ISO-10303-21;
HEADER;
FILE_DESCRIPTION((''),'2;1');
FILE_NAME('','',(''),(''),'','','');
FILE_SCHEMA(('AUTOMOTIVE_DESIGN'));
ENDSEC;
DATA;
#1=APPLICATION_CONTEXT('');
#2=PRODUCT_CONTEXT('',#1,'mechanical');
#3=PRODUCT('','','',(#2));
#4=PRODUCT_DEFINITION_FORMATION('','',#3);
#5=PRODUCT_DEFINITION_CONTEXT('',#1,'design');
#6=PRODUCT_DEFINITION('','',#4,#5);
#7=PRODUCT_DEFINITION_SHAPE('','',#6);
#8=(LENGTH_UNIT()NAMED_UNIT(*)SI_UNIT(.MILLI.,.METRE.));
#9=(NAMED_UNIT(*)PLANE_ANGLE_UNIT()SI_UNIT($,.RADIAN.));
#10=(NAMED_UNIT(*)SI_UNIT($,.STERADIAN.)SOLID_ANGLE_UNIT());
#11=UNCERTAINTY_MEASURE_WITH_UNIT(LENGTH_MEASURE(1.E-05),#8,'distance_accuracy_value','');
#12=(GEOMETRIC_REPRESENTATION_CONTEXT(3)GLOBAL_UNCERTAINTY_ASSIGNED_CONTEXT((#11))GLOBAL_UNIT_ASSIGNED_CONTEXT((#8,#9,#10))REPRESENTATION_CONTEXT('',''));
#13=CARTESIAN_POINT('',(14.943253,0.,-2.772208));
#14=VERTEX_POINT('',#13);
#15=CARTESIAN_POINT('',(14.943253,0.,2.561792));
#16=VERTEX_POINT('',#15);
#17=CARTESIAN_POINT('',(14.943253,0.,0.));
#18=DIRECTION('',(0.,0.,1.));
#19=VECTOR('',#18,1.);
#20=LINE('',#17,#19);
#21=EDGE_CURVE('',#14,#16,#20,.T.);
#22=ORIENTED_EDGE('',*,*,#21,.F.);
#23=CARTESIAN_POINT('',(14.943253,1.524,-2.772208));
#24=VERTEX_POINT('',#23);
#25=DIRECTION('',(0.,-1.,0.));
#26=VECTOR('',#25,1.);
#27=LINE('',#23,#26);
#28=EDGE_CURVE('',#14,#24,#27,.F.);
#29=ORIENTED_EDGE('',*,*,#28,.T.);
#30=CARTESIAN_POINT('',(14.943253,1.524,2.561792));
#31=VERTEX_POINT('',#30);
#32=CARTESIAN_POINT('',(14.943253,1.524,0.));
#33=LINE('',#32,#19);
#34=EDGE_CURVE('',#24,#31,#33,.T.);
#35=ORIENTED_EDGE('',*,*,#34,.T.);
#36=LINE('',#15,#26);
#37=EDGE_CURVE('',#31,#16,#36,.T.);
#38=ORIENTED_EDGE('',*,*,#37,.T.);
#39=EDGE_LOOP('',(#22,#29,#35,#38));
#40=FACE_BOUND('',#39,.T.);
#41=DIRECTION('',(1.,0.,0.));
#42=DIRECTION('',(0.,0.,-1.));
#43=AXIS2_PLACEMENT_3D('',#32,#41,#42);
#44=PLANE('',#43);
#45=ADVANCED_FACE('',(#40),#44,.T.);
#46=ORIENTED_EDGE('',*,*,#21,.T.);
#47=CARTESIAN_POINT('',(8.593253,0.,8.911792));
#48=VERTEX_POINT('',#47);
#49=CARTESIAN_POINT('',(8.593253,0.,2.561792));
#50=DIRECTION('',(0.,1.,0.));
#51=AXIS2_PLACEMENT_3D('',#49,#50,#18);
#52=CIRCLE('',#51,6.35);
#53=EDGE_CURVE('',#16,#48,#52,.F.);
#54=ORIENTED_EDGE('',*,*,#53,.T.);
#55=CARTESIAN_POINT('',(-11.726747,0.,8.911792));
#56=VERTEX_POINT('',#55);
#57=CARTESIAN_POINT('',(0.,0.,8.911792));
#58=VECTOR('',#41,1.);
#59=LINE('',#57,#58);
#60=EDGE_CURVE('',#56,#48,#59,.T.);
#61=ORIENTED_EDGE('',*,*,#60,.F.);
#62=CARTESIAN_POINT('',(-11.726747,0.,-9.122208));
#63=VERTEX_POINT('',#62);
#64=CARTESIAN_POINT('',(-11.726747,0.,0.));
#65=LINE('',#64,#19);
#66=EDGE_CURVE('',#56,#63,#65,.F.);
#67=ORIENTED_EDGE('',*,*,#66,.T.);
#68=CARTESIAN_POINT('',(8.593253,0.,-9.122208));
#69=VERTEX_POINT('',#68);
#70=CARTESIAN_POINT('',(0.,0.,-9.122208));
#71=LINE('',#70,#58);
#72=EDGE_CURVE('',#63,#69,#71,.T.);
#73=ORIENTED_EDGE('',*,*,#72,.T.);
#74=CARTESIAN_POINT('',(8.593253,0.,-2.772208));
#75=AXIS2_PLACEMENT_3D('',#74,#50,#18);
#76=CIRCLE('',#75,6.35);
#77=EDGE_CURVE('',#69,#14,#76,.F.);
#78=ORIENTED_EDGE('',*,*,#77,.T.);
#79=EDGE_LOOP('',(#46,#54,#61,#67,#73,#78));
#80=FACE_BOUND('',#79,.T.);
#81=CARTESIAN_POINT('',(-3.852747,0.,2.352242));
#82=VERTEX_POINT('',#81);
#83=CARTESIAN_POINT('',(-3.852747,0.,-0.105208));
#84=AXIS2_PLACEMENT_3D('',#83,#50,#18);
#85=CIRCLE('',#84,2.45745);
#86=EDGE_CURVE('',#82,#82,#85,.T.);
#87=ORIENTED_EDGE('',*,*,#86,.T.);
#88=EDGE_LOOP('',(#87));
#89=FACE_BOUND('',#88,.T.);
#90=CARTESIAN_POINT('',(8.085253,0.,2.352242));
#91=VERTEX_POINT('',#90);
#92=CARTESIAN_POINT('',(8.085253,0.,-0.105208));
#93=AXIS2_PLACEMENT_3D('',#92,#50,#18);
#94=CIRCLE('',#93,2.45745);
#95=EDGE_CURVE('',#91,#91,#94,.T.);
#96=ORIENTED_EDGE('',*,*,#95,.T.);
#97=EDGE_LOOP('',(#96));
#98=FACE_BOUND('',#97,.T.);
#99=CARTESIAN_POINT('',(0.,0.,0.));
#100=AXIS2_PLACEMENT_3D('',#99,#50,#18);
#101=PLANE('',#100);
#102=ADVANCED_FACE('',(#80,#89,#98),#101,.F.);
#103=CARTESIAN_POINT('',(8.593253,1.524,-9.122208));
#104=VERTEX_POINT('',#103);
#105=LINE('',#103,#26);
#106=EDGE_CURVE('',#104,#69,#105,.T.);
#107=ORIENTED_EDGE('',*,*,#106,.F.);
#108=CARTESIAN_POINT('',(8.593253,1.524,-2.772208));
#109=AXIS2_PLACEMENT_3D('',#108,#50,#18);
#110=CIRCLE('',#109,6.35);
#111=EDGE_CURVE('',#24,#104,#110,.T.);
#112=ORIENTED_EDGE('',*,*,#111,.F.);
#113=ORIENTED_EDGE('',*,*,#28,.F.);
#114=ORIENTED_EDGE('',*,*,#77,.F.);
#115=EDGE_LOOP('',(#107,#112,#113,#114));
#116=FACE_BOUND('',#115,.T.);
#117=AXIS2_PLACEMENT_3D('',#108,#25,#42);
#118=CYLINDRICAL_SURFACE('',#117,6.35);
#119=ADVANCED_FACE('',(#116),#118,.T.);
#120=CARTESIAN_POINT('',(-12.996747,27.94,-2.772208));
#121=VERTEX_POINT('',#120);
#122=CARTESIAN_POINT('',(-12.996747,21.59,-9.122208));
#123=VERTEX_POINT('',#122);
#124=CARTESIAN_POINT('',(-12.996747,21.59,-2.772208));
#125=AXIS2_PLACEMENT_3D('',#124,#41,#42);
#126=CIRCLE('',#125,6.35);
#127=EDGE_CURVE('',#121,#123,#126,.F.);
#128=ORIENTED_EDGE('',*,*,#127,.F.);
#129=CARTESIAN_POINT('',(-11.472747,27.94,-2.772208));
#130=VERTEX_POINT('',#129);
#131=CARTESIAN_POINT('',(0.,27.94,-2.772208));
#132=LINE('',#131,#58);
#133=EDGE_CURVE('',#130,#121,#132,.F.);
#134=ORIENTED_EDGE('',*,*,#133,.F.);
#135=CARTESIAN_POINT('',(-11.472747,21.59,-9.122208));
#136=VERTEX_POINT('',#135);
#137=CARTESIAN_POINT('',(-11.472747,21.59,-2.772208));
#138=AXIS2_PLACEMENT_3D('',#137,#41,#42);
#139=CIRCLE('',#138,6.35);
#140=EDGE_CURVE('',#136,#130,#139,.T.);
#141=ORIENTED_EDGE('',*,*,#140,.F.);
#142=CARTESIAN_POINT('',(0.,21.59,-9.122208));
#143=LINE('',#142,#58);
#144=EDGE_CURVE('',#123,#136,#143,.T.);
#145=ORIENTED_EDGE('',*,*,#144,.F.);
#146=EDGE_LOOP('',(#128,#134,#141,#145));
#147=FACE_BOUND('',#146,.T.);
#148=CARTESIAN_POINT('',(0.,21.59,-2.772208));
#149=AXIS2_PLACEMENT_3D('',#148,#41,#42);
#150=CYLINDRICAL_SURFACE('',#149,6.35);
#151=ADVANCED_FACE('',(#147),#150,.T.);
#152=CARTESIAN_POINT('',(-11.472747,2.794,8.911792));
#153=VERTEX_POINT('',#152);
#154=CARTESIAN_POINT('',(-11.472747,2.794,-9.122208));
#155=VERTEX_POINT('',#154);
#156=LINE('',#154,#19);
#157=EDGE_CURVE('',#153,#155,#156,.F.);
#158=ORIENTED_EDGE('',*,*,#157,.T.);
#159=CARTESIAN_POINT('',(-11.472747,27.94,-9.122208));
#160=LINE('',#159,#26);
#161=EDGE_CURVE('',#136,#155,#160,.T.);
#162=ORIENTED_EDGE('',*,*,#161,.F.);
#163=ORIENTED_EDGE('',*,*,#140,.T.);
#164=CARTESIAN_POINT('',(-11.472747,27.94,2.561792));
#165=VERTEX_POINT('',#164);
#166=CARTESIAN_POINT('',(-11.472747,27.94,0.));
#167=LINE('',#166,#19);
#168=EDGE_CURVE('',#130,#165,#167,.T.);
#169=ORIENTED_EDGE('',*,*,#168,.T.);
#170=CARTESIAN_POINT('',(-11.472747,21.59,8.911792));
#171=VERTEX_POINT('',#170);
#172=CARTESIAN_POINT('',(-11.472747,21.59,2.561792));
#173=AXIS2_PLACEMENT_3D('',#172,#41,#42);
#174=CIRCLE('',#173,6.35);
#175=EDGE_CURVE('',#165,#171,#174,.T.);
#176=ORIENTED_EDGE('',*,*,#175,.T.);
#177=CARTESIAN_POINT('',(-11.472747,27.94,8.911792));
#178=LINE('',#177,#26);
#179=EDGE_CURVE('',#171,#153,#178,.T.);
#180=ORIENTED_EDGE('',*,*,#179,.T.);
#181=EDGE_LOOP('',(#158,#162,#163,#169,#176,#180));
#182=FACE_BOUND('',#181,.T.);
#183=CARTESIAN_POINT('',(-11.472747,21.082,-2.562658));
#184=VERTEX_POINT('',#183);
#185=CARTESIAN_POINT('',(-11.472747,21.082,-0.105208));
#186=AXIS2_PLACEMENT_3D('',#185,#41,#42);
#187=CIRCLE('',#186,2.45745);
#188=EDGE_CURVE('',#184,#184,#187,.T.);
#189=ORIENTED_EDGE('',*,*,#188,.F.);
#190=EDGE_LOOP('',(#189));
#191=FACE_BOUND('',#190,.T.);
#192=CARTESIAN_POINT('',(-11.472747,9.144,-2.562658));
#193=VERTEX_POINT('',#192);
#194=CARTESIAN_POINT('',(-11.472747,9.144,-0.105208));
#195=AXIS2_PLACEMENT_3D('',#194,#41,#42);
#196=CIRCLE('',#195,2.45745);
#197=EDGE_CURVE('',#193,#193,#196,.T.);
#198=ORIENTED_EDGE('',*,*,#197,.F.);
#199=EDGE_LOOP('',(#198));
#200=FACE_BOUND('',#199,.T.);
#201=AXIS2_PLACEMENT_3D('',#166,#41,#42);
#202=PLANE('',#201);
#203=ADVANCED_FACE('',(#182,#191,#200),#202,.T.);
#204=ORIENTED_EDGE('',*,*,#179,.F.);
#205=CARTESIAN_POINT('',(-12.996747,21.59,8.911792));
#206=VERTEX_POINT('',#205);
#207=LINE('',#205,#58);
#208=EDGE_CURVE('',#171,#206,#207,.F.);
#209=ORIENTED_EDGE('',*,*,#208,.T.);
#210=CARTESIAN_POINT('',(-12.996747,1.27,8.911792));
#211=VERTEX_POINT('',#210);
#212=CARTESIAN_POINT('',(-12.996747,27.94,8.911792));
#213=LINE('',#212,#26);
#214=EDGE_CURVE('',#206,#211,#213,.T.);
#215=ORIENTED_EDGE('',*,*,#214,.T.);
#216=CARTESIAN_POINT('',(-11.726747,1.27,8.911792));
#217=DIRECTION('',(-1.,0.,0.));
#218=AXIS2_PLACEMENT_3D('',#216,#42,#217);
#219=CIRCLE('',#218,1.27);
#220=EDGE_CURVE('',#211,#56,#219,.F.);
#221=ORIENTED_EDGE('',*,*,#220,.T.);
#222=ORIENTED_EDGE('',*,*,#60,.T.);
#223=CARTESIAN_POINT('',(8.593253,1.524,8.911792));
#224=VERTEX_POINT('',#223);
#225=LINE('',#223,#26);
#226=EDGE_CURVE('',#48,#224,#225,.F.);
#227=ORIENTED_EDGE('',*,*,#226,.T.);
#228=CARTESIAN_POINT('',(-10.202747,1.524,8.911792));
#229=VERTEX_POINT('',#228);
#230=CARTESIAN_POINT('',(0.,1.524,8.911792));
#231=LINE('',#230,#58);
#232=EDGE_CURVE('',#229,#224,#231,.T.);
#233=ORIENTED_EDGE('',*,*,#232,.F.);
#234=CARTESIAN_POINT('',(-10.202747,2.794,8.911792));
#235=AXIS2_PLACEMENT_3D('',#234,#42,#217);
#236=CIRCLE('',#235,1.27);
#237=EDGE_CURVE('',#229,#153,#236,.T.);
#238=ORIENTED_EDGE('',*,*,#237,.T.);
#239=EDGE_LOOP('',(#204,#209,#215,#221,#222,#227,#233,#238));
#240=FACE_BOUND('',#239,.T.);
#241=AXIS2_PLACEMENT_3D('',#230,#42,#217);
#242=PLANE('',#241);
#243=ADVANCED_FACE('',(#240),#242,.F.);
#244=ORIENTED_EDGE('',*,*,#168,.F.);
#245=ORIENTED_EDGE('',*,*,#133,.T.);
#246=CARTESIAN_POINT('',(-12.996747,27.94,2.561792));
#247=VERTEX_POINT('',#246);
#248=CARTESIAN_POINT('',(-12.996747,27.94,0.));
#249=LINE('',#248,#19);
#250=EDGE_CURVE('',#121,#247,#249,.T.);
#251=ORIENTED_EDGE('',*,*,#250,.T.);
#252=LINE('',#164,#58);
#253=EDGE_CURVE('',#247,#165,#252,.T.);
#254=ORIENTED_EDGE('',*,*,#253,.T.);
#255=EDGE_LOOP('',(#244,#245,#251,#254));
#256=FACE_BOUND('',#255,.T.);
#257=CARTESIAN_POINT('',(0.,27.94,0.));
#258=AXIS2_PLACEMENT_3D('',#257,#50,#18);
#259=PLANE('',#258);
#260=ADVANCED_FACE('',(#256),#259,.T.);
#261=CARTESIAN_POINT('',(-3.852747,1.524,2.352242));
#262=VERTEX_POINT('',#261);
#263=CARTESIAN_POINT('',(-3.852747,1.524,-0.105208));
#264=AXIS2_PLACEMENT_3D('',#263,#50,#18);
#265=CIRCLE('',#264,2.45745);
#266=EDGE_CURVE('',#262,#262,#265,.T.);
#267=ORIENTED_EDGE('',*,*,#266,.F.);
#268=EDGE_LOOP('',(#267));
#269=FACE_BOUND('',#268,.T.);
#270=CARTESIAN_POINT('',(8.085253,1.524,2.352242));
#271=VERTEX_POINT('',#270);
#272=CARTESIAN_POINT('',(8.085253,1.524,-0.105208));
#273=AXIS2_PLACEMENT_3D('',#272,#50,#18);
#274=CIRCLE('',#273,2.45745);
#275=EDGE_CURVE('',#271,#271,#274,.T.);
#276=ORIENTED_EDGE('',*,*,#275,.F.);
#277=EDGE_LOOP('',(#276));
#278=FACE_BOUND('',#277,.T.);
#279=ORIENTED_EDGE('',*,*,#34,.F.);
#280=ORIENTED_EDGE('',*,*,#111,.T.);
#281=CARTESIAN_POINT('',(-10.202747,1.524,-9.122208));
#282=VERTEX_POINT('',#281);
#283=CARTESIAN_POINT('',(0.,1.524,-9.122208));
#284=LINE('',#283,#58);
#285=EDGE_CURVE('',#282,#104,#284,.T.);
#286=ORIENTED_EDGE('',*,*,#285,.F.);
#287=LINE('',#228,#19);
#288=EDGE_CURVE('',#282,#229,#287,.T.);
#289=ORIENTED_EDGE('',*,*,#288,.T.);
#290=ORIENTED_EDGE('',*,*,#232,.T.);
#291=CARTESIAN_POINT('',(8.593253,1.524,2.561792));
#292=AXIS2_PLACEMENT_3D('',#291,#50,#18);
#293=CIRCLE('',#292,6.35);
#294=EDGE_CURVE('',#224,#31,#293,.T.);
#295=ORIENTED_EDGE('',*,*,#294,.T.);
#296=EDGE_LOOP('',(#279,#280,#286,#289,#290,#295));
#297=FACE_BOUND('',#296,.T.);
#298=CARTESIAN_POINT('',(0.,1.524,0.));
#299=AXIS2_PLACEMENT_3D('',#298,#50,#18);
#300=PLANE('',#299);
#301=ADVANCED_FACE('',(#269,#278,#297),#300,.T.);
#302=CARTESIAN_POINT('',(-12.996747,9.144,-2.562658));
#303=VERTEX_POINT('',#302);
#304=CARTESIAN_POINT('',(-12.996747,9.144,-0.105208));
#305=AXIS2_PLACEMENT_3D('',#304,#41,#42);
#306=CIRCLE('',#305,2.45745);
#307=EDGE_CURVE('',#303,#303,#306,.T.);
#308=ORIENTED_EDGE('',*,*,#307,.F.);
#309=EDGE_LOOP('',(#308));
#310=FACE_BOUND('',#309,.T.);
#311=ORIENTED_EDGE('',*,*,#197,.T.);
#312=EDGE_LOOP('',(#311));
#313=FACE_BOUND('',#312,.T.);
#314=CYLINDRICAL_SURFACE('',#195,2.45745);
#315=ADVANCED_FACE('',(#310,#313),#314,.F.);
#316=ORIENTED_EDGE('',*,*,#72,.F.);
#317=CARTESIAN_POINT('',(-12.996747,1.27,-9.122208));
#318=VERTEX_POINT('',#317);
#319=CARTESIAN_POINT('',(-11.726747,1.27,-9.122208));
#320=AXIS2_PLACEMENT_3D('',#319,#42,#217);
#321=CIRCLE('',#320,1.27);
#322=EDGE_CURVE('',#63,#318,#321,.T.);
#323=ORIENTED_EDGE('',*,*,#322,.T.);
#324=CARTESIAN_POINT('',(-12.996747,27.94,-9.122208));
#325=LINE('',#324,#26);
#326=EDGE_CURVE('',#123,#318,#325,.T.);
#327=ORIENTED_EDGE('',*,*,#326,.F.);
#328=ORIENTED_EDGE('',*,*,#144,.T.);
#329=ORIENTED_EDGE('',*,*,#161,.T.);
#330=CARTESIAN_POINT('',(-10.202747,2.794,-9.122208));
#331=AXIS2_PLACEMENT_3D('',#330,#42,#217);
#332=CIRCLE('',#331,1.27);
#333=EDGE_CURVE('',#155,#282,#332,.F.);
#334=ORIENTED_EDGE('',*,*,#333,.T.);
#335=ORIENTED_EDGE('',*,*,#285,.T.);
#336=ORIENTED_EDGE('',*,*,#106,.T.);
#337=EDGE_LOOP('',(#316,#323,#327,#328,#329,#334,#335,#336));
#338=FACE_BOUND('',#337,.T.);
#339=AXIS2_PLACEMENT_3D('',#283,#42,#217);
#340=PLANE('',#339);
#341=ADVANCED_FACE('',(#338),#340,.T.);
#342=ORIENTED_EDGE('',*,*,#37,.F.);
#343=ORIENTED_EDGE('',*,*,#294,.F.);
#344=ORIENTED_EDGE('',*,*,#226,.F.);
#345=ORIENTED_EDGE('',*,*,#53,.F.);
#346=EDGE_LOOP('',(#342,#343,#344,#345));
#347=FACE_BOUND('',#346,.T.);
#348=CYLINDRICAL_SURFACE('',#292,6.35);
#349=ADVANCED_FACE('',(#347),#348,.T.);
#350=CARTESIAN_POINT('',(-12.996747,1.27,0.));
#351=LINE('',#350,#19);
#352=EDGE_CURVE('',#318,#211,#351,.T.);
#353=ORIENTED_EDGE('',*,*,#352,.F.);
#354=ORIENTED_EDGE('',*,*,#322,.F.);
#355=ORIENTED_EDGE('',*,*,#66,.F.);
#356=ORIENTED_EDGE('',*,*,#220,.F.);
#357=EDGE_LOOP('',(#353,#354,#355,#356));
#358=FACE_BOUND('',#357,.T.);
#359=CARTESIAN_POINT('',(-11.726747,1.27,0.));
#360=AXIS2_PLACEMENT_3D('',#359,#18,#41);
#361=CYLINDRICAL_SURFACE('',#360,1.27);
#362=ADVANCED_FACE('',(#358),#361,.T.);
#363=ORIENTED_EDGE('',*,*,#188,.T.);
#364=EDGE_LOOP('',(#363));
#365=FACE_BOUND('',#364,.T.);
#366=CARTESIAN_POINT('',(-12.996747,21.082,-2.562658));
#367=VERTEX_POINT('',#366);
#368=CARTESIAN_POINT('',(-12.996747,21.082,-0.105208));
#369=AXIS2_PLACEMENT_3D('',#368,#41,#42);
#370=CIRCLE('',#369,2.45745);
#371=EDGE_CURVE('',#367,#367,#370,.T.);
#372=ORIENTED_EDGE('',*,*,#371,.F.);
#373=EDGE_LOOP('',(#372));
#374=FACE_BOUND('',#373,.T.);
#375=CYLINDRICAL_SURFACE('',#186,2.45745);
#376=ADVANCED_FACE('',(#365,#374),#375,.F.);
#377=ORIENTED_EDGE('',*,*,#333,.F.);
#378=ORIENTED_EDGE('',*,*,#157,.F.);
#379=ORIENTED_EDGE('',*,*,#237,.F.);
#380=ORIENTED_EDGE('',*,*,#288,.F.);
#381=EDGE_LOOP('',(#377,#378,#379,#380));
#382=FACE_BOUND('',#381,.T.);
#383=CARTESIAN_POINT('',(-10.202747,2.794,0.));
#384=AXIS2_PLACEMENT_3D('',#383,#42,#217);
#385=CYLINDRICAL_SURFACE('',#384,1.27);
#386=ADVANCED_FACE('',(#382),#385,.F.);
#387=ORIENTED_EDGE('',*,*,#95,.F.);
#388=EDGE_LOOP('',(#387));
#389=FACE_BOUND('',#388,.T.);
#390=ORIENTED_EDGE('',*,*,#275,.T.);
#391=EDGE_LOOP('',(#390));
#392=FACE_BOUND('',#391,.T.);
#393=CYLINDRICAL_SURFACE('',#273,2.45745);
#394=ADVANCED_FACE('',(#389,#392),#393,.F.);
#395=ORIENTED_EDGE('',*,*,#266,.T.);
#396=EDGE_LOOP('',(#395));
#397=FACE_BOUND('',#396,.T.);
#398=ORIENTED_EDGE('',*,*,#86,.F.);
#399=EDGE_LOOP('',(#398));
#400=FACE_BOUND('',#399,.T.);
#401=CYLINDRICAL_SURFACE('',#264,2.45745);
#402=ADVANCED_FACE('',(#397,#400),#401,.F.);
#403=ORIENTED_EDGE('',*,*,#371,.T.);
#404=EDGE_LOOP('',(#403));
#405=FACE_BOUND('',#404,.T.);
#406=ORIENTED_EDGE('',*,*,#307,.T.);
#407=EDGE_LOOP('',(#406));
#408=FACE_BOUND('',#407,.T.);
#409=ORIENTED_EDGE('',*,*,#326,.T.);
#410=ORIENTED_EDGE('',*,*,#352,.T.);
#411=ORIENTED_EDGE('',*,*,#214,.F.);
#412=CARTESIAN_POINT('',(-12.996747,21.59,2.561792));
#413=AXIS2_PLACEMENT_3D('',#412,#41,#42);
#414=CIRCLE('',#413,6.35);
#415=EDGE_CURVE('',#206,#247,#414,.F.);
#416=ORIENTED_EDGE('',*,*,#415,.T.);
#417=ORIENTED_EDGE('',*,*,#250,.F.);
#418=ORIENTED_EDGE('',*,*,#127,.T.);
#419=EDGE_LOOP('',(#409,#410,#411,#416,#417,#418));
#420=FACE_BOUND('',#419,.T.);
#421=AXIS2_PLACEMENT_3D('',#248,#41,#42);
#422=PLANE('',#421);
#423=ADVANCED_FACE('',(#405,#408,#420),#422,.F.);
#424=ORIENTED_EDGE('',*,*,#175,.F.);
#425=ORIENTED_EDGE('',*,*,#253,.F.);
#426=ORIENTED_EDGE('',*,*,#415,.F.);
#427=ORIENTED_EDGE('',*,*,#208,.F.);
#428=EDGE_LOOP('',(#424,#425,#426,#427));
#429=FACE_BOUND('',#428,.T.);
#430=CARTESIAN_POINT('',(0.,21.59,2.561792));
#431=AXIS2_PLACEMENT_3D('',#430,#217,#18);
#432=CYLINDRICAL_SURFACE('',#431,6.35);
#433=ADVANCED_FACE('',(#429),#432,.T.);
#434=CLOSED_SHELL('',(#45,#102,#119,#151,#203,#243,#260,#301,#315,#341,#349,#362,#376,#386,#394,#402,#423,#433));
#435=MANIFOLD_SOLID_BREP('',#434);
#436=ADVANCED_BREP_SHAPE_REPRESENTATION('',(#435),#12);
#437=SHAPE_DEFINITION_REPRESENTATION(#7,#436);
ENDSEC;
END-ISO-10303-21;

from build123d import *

# Parameters (mm, degrees)
SKETCH1_W                        = 26.416
SKETCH1_H                        = 18.034
BOSS_EXTRUDE2_DEPTH              = 1.524
SKETCH1_4_W                      = 1.524
SKETCH1_4_H                      = 18.034
BOSS_EXTRUDE3_DEPTH              = 27.94
FILLET1_R                        = 1.27
FILLET2_R                        = 6.35
F_10_0_1935_DIAMETER_HOLE1_D     = 4.9149
F_10_0_1935_DIAMETER_HOLE1_DEPTH = 5.08
F_10_0_1935_DIAMETER_HOLE1_TIP   = 1.476584928
F_10_0_1935_DIAMETER_HOLE2_D     = 4.9149
F_10_0_1935_DIAMETER_HOLE2_DEPTH = 5.08
F_10_0_1935_DIAMETER_HOLE2_TIP   = 1.476584928


with BuildPart() as part:
    # Sketch1 → Boss-Extrude2 (new body)
    with BuildSketch(Plane(origin=(0, 0, 0), x_dir=(1, 0, 0), z_dir=(0, 1, 0))):
        with Locations((1.735252818, 0.105208004)):
            Rectangle(SKETCH1_W, SKETCH1_H)
    extrude(amount=BOSS_EXTRUDE2_DEPTH)

    # Sketch1<4> → Boss-Extrude3 (add)
    with BuildSketch(Plane(origin=(0, 0, 0), x_dir=(1, 0, 0), z_dir=(0, 1, 0))):
        with Locations((-12.234747182, 0.105208004)):
            Rectangle(SKETCH1_4_W, SKETCH1_4_H)
    extrude(amount=BOSS_EXTRUDE3_DEPTH)

    # Fillet1
    fillet1_edges = [part.edges().sort_by_distance(p)[0] for p in [
        (-12.996747182, 0, -0.105208004),
        (-11.472747182, 1.524, -0.105208004),
    ]]
    fillet(fillet1_edges, radius=FILLET1_R)

    # Fillet2
    fillet2_edges = [part.edges().sort_by_distance(p)[0] for p in [
        (-12.234747182, 27.94, -9.122208004),
        (-12.234747182, 27.94, 8.911791996),
        (14.943252818, 0.762, 8.911791996),
        (14.943252818, 0.762, -9.122208004),
    ]]
    fillet(fillet2_edges, radius=FILLET2_R)

    # #10 (0.1935) Diameter Hole1
    with Locations(Plane(origin=(0, 1.524, 0), x_dir=(1, 0, 0), z_dir=(0, 1, 0))):
        with Locations((-3.852747182, 0.105208004), (8.085252818, 0.105208004)):
            Hole(F_10_0_1935_DIAMETER_HOLE1_D / 2, depth=F_10_0_1935_DIAMETER_HOLE1_DEPTH)
            with Locations((0, 0, -(F_10_0_1935_DIAMETER_HOLE1_DEPTH + F_10_0_1935_DIAMETER_HOLE1_TIP / 2))):  # 118° drill point
                Cone(0, F_10_0_1935_DIAMETER_HOLE1_D / 2, F_10_0_1935_DIAMETER_HOLE1_TIP, mode=Mode.SUBTRACT)

    # #10 (0.1935) Diameter Hole2
    with Locations(Plane(origin=(-11.472747182, 0, 0), x_dir=(0, 0, -1), z_dir=(1, 0, 0))):
        with Locations((0.105208004, 9.144), (0.105208004, 21.082)):
            Hole(F_10_0_1935_DIAMETER_HOLE2_D / 2, depth=F_10_0_1935_DIAMETER_HOLE2_DEPTH)
            with Locations((0, 0, -(F_10_0_1935_DIAMETER_HOLE2_DEPTH + F_10_0_1935_DIAMETER_HOLE2_TIP / 2))):  # 118° drill point
                Cone(0, F_10_0_1935_DIAMETER_HOLE2_D / 2, F_10_0_1935_DIAMETER_HOLE2_TIP, mode=Mode.SUBTRACT)


solid = part.part
